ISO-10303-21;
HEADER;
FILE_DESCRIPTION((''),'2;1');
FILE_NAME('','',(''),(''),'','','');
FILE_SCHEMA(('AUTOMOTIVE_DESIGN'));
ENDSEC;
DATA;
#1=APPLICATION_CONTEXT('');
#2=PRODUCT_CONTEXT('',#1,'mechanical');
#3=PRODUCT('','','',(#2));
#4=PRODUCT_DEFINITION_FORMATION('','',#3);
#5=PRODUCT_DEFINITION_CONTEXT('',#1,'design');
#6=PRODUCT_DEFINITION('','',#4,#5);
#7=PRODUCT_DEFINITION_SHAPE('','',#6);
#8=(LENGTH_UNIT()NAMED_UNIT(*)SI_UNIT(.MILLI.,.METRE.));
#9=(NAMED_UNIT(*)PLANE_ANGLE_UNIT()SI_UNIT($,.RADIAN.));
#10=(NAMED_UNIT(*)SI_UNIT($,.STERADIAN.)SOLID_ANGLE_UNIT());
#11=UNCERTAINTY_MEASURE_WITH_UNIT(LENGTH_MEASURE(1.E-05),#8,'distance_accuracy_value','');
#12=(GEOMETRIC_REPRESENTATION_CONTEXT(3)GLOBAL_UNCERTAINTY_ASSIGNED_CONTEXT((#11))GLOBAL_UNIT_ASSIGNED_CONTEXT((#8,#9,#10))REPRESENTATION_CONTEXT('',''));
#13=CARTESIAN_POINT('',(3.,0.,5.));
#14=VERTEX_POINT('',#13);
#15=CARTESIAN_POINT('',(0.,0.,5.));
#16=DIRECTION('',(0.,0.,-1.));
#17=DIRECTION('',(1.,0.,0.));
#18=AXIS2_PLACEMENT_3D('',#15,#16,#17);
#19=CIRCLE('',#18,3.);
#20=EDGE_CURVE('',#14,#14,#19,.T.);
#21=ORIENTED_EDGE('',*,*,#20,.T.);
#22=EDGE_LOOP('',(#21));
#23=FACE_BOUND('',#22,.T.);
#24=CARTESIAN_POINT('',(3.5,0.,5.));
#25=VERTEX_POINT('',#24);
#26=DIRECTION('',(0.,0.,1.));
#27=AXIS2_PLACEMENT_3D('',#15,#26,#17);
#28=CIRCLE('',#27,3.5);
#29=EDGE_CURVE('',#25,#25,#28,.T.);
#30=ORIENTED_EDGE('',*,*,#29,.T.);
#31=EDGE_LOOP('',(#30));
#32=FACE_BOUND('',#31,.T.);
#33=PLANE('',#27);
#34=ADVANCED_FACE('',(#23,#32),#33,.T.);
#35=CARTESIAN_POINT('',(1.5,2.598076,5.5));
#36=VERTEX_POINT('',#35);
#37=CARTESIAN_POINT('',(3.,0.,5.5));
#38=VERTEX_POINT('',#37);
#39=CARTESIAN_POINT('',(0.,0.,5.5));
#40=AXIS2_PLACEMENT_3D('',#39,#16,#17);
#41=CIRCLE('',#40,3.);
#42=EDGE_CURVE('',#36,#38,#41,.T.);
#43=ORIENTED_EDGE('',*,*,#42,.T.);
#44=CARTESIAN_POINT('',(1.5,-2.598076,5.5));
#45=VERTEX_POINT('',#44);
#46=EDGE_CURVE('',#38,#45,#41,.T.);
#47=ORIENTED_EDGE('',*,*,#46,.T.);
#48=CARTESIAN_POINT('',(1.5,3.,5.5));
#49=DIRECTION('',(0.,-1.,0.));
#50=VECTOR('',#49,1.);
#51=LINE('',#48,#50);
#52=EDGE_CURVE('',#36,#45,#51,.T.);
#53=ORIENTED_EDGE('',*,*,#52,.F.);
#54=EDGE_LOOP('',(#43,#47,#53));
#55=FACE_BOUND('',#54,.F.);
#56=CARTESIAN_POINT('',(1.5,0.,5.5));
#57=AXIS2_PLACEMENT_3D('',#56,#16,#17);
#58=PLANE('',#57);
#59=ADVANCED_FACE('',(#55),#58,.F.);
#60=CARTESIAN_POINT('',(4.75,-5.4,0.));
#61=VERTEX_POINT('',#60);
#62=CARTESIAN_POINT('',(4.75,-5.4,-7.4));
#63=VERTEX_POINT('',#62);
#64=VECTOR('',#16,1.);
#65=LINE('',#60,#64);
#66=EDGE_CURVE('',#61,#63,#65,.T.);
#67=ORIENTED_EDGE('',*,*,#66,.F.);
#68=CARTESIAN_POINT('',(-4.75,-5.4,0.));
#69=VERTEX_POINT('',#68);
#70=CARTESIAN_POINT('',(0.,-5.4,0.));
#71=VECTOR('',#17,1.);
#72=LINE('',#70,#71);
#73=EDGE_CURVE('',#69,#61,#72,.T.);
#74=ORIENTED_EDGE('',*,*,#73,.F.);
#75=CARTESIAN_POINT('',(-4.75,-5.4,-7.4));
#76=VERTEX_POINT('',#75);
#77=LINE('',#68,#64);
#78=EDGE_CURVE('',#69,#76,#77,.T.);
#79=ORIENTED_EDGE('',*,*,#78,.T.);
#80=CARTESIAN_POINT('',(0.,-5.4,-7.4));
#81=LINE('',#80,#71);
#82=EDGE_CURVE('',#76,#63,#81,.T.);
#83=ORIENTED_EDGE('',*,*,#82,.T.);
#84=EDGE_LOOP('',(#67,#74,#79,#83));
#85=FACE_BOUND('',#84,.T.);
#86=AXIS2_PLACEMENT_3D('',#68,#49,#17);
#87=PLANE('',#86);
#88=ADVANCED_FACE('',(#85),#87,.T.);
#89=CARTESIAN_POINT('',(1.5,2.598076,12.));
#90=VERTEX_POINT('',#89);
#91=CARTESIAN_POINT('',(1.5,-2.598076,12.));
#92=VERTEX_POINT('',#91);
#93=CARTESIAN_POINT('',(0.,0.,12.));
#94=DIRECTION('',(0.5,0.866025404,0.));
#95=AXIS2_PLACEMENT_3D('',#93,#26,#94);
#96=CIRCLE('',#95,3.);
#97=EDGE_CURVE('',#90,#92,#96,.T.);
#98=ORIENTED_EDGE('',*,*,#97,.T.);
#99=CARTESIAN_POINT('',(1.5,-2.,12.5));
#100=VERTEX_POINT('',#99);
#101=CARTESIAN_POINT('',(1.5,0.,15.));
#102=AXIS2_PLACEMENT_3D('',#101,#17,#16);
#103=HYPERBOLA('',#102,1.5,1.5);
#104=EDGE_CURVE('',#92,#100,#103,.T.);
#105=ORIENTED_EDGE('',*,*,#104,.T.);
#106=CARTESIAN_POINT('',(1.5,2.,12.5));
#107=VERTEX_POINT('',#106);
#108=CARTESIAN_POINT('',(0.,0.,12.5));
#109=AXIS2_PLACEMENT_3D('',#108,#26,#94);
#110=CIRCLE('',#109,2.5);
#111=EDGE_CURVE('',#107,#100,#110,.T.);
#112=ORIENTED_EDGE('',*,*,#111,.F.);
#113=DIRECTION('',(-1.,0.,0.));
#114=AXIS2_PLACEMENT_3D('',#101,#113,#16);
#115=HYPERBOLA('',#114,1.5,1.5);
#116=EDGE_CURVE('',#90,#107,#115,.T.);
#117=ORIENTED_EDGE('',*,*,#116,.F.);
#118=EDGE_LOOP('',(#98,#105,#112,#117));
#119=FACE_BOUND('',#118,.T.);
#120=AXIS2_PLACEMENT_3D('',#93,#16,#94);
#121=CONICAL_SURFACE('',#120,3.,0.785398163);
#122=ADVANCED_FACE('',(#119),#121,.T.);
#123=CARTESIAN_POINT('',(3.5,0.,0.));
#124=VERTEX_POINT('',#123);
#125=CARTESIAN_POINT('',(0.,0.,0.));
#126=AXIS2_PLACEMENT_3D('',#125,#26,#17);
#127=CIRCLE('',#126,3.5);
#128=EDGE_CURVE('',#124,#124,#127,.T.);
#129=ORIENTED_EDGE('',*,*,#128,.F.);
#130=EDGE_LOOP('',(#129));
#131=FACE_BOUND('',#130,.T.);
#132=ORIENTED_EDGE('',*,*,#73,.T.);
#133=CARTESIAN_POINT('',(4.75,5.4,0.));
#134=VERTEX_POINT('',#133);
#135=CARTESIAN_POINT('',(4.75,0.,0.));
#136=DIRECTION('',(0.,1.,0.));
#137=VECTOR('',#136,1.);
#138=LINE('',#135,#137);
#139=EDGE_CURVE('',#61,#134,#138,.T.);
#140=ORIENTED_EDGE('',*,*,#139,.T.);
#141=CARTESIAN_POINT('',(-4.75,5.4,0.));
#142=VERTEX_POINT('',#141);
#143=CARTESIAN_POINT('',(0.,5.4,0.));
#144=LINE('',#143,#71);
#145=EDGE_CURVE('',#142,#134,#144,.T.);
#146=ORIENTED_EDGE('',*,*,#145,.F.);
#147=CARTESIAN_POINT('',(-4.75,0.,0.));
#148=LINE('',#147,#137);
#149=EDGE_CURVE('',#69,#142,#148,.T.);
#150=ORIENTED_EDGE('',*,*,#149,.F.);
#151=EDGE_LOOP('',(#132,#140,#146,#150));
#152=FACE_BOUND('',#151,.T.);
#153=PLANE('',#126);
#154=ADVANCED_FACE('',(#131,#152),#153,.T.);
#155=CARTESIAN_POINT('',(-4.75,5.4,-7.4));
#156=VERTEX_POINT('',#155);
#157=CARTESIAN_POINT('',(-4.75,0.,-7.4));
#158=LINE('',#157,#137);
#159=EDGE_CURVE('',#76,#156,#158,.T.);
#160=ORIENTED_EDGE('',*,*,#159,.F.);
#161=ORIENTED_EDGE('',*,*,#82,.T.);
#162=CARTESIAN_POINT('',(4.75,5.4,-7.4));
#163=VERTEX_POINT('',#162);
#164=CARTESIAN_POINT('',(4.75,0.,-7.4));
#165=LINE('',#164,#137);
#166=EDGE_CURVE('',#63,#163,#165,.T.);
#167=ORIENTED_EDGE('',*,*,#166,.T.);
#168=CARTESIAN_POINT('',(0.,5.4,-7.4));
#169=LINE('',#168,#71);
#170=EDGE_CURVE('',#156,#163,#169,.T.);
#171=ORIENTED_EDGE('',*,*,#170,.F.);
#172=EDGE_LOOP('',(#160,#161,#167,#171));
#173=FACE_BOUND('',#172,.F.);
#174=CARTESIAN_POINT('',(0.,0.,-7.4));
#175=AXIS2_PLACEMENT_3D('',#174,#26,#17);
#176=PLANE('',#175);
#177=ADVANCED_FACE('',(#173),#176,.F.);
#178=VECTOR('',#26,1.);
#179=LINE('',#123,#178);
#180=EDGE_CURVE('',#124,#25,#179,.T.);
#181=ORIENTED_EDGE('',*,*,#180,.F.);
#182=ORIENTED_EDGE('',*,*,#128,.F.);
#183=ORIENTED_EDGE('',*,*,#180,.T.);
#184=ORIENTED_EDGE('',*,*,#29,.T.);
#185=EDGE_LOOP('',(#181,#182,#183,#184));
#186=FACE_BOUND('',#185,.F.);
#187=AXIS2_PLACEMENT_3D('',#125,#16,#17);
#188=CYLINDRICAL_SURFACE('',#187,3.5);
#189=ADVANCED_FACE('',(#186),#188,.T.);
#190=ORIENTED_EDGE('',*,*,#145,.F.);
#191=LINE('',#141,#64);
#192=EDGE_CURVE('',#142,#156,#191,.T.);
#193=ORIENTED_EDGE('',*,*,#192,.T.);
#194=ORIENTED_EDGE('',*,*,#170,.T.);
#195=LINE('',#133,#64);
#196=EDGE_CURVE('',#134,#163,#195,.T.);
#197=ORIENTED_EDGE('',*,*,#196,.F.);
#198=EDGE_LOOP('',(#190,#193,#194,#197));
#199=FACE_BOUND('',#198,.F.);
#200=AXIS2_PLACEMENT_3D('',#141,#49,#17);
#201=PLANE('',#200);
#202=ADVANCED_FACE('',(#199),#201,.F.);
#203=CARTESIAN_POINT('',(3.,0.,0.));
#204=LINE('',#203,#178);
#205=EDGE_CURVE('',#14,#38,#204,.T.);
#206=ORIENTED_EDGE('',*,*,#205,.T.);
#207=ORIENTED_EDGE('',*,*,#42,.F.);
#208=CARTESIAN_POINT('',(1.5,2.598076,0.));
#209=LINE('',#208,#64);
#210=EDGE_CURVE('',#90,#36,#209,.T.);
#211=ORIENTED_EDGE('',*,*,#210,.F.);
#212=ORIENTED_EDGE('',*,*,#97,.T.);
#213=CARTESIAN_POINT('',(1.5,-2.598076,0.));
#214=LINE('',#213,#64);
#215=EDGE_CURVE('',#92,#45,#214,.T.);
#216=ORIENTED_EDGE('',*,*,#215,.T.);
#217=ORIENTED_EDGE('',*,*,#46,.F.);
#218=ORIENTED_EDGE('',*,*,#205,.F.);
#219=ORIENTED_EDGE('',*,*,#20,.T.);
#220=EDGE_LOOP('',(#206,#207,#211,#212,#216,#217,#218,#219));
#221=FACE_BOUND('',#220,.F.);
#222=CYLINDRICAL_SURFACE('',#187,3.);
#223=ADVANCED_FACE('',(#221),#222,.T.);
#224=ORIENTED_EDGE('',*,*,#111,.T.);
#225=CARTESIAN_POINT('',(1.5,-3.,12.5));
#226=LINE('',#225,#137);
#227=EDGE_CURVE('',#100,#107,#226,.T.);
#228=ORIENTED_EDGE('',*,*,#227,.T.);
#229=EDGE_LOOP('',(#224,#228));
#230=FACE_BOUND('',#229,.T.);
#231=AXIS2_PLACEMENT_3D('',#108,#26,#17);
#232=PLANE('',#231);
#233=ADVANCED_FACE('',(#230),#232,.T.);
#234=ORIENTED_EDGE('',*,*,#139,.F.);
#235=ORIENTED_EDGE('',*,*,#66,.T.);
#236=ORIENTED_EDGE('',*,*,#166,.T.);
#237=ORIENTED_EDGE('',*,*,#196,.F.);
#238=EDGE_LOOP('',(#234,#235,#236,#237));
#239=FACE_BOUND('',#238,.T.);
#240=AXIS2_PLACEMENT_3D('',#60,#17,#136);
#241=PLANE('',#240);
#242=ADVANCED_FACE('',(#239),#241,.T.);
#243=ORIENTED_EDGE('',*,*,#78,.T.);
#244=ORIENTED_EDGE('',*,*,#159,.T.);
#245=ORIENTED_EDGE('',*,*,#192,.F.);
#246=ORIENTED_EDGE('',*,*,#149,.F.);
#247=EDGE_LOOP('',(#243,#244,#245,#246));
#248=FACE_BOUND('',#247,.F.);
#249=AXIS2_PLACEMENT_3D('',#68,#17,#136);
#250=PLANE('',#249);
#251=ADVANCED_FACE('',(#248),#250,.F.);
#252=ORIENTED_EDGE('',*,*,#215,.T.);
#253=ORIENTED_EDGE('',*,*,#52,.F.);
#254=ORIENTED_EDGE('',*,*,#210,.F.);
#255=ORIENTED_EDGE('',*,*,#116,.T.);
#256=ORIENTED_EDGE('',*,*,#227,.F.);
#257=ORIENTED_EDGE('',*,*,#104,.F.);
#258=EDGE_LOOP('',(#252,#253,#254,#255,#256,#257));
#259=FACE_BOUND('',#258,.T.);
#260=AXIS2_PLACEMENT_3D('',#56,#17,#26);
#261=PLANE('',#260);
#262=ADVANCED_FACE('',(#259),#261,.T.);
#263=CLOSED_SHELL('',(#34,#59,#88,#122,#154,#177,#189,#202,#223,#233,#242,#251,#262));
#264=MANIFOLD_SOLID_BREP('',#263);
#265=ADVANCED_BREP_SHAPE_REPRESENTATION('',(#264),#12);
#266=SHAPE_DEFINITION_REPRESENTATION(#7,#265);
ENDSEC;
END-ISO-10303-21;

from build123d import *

# Parameters (mm, degrees)
SKETCH_W     = 9.5
SKETCH_H     = 10.8
PAD_DEPTH    = 7.4
SKETCH001_R  = 3.5
PAD001_DEPTH = 5
SKETCH002_R  = 3
PAD002_DEPTH = 12.5
SKETCH003_W  = 1.5
SKETCH003_H  = 7
POCKET_DEPTH = 3
CHAMFER_SIZE = 0.5


with BuildPart() as part:
    # Sketch → Pad (new body)
    with BuildSketch(Plane.XY):
        Rectangle(SKETCH_W, SKETCH_H)
    extrude(amount=-PAD_DEPTH)

    # Sketch001 → Pad001 (join)
    with BuildSketch(Plane.XY):
        Circle(SKETCH001_R)
    extrude(amount=PAD001_DEPTH)

    # Sketch002 → Pad002 (join)
    with BuildSketch(Plane.XY):
        Circle(SKETCH002_R)
    extrude(amount=PAD002_DEPTH)

    # Sketch003 → Pocket (cut, symmetric)
    with BuildSketch(Plane.XZ):
        with Locations((2.25, 9)):
            Rectangle(SKETCH003_W, SKETCH003_H)
    extrude(amount=POCKET_DEPTH, both=True, mode=Mode.SUBTRACT)

    # Chamfer
    chamfer_edges = [part.edges().sort_by_distance(p)[0] for p in [
        (-3, 0, 12.5),
    ]]
    chamfer(chamfer_edges, length=CHAMFER_SIZE)


solid = part.part
